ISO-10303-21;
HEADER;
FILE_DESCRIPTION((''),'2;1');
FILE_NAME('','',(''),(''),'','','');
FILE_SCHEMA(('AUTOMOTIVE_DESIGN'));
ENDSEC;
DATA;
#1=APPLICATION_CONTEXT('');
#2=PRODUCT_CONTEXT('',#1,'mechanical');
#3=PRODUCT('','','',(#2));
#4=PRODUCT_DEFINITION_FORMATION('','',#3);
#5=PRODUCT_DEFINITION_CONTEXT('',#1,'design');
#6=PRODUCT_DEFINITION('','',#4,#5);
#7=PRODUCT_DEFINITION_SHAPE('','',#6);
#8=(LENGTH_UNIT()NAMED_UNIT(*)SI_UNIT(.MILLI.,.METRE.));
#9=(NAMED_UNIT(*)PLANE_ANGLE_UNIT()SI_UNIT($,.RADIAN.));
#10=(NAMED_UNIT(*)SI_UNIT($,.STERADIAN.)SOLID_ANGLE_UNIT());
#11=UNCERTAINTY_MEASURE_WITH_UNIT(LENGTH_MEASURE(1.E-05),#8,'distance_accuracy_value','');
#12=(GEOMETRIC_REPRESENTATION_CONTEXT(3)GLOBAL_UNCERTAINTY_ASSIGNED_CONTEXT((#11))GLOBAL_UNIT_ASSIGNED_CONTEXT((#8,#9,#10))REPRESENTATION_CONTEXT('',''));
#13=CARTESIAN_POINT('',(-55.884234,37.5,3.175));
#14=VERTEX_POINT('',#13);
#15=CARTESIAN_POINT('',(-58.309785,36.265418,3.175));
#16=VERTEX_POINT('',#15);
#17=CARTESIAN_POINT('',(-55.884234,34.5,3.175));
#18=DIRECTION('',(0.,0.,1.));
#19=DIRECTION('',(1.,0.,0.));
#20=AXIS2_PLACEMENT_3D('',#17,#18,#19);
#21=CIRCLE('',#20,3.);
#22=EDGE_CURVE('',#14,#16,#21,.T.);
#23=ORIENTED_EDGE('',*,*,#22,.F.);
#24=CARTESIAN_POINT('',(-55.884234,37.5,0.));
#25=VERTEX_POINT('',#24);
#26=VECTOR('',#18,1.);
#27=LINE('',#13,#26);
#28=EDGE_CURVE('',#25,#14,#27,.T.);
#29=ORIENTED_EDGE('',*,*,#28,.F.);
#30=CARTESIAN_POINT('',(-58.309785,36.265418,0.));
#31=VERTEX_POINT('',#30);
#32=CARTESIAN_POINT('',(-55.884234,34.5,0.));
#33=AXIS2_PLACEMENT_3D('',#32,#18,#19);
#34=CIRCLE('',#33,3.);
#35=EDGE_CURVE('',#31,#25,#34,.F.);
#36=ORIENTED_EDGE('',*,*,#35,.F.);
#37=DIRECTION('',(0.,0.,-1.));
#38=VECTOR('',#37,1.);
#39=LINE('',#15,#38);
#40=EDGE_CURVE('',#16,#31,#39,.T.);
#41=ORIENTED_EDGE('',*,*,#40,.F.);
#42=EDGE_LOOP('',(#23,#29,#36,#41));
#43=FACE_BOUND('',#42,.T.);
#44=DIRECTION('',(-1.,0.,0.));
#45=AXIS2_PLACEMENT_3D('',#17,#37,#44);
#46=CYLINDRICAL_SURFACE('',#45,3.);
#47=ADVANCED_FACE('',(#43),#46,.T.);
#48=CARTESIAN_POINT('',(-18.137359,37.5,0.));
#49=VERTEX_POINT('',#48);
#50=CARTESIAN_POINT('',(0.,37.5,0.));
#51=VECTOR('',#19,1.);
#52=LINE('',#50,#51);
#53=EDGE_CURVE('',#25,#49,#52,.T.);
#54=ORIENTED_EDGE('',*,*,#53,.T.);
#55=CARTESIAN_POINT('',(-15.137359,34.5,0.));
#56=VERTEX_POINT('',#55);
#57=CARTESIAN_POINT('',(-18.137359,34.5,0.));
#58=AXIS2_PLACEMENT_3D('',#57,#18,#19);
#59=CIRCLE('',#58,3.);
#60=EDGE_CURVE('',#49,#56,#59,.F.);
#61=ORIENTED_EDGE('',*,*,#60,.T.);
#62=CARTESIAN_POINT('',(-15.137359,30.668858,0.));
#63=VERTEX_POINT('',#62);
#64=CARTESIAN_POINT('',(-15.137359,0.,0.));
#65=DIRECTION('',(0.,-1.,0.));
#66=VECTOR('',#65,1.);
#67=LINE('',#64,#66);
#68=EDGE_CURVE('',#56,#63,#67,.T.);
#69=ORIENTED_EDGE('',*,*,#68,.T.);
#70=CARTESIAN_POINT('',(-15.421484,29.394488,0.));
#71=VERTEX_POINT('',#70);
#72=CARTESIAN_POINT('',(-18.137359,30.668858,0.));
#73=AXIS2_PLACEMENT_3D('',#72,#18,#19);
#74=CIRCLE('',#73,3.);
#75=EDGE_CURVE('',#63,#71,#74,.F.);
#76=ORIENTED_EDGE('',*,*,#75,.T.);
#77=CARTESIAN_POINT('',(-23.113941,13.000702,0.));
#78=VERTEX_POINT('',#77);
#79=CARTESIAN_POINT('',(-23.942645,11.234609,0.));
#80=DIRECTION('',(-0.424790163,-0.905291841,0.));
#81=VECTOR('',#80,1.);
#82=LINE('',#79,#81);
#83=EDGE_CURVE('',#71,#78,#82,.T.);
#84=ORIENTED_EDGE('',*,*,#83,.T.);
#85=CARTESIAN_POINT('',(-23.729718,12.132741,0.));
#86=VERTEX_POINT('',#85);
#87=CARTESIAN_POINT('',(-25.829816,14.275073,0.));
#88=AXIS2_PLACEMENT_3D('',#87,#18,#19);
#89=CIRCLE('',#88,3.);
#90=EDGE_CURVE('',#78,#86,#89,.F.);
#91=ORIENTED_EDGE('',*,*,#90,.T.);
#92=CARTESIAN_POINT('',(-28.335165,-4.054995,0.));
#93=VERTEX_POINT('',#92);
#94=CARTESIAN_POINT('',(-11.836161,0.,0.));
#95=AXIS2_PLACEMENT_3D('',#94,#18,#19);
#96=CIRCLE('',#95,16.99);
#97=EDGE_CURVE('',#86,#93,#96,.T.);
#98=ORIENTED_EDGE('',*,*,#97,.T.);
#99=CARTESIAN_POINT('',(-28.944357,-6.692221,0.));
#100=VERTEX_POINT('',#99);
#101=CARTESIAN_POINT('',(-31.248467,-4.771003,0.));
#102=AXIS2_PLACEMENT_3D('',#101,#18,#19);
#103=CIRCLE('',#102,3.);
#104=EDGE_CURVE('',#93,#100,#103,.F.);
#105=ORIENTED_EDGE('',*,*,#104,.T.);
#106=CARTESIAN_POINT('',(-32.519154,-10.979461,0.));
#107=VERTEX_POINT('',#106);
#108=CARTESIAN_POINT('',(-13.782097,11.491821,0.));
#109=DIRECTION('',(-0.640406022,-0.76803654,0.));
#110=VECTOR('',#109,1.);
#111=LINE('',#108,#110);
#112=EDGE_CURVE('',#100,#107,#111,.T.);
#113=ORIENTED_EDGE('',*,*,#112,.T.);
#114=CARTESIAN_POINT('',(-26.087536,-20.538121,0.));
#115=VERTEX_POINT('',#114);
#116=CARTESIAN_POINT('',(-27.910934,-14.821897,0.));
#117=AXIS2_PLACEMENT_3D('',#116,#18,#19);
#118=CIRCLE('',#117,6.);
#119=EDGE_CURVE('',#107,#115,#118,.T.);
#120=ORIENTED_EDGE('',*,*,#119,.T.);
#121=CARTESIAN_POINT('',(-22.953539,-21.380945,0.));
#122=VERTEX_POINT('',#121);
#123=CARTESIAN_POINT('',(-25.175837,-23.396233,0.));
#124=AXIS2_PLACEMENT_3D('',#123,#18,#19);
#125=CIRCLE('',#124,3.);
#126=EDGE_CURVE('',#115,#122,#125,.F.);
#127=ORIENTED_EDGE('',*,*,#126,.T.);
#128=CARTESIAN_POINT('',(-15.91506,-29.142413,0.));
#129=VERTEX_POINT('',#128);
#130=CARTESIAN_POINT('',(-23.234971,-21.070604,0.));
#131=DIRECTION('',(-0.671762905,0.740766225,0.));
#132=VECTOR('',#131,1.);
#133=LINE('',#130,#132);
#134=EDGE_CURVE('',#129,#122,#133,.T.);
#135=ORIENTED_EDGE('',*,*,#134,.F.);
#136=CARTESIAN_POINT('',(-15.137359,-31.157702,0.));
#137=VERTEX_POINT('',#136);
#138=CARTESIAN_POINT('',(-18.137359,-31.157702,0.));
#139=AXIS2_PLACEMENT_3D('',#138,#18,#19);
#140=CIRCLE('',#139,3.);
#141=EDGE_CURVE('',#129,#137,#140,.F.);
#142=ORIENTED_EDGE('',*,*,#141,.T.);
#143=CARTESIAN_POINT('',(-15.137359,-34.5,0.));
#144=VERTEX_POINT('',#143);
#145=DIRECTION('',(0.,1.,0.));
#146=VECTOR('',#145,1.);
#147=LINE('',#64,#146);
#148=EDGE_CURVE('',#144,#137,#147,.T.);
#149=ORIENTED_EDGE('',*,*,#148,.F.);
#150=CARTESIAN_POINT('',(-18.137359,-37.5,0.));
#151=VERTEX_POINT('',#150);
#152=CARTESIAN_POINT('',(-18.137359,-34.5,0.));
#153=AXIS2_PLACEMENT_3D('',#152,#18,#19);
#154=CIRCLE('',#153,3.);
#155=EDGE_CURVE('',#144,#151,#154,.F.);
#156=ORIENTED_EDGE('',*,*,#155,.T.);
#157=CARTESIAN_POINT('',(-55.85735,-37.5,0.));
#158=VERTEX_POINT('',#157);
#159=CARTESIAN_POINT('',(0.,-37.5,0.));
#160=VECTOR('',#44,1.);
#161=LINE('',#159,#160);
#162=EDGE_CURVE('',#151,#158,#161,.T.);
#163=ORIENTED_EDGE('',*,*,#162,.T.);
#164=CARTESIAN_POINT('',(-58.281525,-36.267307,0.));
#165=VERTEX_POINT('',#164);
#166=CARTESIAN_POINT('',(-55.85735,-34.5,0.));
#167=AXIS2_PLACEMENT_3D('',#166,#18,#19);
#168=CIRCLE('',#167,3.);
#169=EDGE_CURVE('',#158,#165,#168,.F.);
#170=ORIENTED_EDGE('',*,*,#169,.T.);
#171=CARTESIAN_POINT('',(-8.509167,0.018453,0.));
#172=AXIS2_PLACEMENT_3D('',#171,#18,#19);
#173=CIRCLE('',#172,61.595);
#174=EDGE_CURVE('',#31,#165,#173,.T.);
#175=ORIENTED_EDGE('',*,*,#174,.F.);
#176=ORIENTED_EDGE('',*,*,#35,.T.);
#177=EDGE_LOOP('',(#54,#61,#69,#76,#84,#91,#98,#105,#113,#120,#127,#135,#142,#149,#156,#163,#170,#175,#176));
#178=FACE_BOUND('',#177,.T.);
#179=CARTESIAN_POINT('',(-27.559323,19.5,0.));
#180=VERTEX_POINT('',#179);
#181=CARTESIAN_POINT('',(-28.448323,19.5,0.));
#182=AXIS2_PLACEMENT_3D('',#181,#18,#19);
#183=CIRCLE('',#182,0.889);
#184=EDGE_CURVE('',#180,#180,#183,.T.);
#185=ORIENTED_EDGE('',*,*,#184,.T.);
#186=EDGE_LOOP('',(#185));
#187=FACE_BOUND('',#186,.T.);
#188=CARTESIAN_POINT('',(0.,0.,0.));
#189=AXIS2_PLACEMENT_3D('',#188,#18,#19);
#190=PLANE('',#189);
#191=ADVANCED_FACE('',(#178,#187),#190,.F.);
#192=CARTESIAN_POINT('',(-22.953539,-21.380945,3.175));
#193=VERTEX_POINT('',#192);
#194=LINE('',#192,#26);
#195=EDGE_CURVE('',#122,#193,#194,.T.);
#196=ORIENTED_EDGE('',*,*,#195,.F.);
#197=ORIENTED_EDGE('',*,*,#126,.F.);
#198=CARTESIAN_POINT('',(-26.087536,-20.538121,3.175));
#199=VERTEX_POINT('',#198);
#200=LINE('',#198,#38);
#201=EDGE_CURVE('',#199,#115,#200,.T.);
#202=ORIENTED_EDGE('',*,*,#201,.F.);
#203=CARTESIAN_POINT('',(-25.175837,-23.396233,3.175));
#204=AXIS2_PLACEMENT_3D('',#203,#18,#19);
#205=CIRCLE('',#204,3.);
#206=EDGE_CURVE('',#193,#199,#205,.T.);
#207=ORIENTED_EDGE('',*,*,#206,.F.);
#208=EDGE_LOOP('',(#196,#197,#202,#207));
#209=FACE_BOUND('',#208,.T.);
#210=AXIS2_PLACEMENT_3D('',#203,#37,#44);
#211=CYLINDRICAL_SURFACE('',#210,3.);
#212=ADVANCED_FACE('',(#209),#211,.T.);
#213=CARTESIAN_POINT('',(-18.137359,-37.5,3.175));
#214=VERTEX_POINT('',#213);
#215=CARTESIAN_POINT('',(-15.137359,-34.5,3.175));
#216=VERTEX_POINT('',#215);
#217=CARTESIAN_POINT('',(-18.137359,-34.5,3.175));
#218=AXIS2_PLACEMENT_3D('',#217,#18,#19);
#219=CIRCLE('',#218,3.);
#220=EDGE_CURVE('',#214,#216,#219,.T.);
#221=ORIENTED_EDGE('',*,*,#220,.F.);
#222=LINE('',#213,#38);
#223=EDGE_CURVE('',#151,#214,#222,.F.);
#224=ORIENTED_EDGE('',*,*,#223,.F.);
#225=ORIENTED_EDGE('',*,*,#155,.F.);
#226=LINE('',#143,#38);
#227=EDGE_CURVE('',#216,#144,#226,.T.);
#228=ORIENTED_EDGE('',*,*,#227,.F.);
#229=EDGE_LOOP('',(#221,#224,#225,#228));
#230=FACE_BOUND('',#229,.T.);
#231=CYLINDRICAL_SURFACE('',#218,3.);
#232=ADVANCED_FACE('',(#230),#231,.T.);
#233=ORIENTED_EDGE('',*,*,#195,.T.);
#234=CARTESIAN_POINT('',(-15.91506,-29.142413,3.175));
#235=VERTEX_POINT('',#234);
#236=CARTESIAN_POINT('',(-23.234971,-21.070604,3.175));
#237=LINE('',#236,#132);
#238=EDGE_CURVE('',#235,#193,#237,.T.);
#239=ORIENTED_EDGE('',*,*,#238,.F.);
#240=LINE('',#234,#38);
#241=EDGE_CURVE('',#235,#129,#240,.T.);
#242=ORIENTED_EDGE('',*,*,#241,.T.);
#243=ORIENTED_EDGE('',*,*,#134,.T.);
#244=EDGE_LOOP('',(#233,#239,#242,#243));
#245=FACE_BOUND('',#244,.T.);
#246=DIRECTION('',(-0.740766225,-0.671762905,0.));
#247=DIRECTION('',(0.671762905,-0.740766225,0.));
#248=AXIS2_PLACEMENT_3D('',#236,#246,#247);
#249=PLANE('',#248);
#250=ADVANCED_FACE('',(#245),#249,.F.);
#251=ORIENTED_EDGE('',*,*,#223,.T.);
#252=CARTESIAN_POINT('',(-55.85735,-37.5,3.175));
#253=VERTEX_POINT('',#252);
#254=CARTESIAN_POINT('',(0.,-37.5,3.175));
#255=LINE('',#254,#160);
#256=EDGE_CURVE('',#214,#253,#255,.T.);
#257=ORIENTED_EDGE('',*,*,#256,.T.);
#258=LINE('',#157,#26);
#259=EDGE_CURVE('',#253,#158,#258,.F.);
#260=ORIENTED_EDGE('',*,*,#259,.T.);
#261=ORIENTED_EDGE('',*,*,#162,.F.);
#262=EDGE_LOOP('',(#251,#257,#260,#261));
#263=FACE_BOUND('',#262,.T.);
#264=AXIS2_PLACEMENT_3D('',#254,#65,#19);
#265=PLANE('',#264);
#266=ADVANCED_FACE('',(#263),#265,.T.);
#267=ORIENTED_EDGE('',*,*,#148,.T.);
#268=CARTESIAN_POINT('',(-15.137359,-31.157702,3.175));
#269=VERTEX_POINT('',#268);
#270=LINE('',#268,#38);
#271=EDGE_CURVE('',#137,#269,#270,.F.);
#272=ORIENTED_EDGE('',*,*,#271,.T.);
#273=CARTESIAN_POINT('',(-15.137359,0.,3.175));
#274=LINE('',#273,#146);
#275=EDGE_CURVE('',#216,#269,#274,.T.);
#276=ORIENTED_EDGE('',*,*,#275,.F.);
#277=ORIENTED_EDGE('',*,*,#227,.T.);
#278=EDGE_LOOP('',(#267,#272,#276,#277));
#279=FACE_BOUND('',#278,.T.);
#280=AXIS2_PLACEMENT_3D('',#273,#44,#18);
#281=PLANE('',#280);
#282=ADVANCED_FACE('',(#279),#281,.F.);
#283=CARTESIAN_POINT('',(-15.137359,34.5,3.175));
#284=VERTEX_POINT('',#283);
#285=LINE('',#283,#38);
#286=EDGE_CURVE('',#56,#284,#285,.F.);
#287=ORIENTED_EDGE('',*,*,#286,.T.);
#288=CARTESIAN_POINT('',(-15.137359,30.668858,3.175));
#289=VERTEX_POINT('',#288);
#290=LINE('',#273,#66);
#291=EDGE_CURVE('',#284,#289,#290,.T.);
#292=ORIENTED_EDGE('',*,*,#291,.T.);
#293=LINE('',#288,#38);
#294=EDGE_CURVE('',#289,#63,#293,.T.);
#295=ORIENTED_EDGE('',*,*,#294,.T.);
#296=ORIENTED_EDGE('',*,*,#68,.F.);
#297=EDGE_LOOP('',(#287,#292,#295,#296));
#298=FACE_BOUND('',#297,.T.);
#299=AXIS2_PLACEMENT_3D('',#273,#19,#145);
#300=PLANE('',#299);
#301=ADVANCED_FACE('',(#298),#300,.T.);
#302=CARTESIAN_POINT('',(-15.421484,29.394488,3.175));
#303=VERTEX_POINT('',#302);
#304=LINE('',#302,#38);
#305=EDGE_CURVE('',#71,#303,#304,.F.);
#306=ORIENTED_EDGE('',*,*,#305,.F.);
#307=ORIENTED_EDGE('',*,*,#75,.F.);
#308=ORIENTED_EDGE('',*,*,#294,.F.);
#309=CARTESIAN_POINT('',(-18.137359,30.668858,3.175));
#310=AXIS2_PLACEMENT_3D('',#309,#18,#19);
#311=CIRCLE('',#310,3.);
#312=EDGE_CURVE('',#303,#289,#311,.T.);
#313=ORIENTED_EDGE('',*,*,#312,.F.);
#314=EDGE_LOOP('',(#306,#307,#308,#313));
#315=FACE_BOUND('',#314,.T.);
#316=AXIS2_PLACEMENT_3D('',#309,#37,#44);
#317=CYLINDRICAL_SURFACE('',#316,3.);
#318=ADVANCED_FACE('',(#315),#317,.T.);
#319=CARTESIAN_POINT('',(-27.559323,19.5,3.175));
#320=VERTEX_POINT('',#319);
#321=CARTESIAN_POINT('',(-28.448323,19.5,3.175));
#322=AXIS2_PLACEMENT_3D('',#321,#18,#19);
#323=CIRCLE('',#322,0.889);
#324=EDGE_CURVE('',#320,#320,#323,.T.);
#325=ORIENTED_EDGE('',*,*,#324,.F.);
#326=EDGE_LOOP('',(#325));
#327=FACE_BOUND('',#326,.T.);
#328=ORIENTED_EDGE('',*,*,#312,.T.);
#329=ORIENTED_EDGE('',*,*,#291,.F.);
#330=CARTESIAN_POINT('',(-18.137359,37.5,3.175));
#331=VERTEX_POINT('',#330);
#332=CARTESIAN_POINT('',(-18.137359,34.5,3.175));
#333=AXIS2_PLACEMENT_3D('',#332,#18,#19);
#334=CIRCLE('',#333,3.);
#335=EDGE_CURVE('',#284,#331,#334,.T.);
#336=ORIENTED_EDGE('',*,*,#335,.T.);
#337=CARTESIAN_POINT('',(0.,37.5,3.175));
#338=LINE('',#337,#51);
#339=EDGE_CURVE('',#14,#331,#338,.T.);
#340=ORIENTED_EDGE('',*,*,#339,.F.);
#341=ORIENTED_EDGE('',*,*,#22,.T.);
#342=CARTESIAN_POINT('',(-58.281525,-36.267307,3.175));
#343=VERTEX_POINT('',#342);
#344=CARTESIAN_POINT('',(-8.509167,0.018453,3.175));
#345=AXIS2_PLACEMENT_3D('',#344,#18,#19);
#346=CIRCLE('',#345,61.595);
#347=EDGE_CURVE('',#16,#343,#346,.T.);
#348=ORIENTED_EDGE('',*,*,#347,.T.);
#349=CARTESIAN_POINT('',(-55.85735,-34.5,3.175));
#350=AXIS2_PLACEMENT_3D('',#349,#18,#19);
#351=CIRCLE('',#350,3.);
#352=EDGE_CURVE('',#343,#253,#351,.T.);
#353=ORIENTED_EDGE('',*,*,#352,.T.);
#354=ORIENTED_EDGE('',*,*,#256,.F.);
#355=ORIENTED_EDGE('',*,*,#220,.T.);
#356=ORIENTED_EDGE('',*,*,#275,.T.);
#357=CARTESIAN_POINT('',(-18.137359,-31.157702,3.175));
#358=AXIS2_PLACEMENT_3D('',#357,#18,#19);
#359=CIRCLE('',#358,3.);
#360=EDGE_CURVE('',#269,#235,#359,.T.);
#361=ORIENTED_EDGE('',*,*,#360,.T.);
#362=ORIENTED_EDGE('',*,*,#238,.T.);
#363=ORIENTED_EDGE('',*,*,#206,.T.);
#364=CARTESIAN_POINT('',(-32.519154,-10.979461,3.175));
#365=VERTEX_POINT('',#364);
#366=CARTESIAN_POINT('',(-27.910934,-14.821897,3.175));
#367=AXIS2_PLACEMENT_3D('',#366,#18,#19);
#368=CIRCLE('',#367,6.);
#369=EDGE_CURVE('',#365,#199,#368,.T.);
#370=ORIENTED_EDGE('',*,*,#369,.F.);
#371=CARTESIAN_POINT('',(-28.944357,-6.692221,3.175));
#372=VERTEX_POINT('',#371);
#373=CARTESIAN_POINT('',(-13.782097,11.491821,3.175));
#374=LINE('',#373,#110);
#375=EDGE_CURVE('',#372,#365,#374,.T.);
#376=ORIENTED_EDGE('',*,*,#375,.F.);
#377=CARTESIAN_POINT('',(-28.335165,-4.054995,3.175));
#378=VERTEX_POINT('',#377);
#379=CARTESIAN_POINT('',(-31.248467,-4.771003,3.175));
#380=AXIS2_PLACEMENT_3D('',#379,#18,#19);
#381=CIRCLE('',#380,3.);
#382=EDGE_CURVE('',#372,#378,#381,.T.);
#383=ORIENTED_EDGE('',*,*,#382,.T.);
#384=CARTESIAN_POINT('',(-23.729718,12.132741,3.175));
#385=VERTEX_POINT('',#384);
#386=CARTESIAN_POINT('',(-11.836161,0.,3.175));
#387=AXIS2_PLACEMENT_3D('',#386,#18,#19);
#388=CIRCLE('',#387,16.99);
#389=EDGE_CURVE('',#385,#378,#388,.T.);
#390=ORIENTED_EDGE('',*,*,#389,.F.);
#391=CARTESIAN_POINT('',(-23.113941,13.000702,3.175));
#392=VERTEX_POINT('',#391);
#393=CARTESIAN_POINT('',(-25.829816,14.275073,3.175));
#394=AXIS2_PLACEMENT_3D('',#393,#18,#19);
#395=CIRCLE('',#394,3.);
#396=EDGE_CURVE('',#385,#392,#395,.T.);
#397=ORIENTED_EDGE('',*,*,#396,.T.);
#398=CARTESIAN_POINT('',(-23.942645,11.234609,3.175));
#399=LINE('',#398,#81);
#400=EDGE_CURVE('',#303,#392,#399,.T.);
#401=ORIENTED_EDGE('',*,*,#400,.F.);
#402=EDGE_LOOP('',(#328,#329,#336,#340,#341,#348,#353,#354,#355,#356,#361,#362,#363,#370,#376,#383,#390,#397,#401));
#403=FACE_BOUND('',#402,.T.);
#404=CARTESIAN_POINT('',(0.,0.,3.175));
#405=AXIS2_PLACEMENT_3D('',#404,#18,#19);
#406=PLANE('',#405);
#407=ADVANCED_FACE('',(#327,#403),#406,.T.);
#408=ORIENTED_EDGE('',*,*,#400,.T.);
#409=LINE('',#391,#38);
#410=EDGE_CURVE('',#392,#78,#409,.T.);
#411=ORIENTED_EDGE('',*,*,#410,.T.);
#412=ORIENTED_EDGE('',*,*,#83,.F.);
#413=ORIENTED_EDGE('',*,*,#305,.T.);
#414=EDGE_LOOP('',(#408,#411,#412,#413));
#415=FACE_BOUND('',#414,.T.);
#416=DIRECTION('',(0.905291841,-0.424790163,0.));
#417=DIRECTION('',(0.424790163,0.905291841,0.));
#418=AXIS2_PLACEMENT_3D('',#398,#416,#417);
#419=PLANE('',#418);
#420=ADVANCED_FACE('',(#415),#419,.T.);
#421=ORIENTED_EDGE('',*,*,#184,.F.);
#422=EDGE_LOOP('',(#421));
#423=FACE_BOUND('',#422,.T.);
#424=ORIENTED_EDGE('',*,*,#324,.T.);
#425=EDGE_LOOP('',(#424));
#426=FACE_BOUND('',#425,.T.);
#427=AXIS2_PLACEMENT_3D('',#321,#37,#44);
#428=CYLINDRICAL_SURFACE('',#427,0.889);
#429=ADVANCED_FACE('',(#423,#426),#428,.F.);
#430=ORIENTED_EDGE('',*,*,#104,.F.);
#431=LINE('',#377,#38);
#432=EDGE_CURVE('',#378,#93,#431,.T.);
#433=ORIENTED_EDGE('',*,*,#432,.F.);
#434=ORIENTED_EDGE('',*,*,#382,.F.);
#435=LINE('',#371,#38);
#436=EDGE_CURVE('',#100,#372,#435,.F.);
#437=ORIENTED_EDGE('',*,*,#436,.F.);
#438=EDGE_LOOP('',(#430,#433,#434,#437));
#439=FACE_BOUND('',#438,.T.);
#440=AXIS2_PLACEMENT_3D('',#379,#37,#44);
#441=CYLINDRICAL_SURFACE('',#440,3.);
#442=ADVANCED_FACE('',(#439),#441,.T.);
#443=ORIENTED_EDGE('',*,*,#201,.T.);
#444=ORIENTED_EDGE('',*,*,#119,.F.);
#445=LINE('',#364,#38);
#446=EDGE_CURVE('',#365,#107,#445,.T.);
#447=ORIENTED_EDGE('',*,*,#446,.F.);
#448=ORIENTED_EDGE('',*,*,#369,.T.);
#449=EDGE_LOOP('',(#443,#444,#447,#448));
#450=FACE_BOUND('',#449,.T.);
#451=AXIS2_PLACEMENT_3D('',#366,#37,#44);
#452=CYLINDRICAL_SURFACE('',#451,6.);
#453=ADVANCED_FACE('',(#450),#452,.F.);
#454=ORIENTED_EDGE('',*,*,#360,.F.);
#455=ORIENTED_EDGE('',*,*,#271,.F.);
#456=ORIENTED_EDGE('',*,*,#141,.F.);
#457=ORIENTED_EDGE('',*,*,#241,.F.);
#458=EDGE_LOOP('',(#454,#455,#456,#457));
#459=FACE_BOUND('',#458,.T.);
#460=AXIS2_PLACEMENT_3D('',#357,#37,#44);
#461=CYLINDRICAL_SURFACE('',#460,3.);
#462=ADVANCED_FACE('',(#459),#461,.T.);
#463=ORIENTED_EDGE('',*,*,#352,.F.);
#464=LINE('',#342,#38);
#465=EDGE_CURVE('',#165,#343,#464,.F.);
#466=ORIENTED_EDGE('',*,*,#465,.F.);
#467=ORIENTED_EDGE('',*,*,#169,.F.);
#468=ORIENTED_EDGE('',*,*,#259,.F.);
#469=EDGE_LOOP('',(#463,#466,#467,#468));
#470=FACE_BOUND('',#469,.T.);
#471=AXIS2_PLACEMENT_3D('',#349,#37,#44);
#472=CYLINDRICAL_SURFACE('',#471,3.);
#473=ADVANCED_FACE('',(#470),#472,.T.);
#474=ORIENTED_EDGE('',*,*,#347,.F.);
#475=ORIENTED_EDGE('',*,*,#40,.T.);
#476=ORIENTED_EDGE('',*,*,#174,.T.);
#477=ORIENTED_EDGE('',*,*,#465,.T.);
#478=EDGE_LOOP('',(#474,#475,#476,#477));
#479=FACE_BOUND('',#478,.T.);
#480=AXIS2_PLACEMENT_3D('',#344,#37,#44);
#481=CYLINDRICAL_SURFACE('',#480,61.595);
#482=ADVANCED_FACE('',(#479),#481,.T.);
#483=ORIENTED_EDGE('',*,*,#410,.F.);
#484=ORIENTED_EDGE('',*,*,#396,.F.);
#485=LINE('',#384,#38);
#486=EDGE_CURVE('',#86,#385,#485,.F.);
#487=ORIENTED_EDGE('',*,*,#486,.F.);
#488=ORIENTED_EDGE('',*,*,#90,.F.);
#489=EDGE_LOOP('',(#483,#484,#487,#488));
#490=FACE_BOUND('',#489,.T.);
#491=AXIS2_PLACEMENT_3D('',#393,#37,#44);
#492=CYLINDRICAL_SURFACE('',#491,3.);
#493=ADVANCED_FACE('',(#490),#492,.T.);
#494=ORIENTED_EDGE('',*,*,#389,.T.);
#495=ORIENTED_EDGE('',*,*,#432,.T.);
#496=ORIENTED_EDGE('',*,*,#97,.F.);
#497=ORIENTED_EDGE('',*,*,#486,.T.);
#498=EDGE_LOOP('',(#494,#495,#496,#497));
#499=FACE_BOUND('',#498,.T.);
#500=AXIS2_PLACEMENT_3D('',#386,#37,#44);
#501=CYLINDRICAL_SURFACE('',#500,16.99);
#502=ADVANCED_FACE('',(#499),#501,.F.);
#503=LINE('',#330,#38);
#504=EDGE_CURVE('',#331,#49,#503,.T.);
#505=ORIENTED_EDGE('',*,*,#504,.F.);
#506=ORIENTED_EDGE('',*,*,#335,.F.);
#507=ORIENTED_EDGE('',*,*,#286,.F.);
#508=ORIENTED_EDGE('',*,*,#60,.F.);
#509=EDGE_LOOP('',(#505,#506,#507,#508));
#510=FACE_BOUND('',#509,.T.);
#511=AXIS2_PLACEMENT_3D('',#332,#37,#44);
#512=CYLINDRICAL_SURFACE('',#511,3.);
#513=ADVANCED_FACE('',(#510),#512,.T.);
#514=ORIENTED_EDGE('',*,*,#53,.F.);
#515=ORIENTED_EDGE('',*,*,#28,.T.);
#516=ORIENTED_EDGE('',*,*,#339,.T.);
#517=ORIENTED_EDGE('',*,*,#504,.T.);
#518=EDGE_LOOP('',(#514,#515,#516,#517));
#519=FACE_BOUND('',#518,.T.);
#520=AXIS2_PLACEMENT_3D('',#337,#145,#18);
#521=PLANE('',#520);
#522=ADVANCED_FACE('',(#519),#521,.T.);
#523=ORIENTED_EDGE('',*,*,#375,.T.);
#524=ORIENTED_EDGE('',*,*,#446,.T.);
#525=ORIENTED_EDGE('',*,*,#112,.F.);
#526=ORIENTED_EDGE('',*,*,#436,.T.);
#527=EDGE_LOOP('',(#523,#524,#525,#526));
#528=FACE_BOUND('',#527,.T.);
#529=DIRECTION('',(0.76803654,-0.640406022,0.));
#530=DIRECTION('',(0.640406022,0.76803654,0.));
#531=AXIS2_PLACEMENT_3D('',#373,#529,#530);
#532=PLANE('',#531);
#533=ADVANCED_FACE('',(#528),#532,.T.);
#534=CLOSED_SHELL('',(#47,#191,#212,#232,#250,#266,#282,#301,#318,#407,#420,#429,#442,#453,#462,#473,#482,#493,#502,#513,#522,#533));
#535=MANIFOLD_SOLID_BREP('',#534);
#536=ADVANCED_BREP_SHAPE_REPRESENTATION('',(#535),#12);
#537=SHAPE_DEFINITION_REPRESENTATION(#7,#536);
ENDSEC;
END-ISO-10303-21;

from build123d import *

# Parameters (mm, degrees)
SKETCH1_R           = 0.889
BOSS_EXTRUDE1_DEPTH = 3.175
FILLET1_R           = 3


with BuildPart() as part:
    # Sketch1 → Boss-Extrude1 (new body)
    with BuildSketch(Plane.XY):
        with BuildLine():
            Line((-57.387359122, 37.5), (-15.137359122, 37.5))
            Line((-15.137359122, 37.5), (-15.137359122, 30))
            Line((-15.137359122, 30), (-23.35327626, 12.490642695))
            ThreePointArc((-23.35327626, 12.490642695), (-28.301486723, 4.189647623), (-27.922607376, -5.466840166))
            Line((-27.922607376, -5.466840166), (-32.519153627, -10.979460849))
            ThreePointArc((-32.519153627, -10.979460849), (-32.321991252, -18.88915371), (-24.454232056, -19.726100177))
            Line((-24.454232056, -19.726100177), (-15.137359122, -30))
            Line((-15.137359122, -30), (-15.137359122, -37.5))
            Line((-15.137359122, -37.5), (-57.35903611, -37.5))
            ThreePointArc((-57.35903611, -37.5), (-70.10416265, -0.004807724), (-57.387359122, 37.5))
        make_face()
        with Locations((-28.448323012, 19.5)):
            Circle(SKETCH1_R, mode=Mode.SUBTRACT)
    extrude(amount=BOSS_EXTRUDE1_DEPTH)

    # Fillet1
    fillet1_edges = [part.edges().sort_by_distance(p)[0] for p in [
        (-24.454232056, -19.726100177, 1.5875),
        (-15.137359122, -30, 1.5875),
        (-15.137359122, -37.5, 1.5875),
        (-57.35903611, -37.5, 1.5875),
        (-57.387359122, 37.5, 1.5875),
        (-15.137359122, 37.5, 1.5875),
        (-15.137359122, 30, 1.5875),
        (-23.35327626, 12.490642695, 1.5875),
        (-27.922607376, -5.466840166, 1.5875),
    ]]
    fillet(fillet1_edges, radius=FILLET1_R)


solid = part.part
